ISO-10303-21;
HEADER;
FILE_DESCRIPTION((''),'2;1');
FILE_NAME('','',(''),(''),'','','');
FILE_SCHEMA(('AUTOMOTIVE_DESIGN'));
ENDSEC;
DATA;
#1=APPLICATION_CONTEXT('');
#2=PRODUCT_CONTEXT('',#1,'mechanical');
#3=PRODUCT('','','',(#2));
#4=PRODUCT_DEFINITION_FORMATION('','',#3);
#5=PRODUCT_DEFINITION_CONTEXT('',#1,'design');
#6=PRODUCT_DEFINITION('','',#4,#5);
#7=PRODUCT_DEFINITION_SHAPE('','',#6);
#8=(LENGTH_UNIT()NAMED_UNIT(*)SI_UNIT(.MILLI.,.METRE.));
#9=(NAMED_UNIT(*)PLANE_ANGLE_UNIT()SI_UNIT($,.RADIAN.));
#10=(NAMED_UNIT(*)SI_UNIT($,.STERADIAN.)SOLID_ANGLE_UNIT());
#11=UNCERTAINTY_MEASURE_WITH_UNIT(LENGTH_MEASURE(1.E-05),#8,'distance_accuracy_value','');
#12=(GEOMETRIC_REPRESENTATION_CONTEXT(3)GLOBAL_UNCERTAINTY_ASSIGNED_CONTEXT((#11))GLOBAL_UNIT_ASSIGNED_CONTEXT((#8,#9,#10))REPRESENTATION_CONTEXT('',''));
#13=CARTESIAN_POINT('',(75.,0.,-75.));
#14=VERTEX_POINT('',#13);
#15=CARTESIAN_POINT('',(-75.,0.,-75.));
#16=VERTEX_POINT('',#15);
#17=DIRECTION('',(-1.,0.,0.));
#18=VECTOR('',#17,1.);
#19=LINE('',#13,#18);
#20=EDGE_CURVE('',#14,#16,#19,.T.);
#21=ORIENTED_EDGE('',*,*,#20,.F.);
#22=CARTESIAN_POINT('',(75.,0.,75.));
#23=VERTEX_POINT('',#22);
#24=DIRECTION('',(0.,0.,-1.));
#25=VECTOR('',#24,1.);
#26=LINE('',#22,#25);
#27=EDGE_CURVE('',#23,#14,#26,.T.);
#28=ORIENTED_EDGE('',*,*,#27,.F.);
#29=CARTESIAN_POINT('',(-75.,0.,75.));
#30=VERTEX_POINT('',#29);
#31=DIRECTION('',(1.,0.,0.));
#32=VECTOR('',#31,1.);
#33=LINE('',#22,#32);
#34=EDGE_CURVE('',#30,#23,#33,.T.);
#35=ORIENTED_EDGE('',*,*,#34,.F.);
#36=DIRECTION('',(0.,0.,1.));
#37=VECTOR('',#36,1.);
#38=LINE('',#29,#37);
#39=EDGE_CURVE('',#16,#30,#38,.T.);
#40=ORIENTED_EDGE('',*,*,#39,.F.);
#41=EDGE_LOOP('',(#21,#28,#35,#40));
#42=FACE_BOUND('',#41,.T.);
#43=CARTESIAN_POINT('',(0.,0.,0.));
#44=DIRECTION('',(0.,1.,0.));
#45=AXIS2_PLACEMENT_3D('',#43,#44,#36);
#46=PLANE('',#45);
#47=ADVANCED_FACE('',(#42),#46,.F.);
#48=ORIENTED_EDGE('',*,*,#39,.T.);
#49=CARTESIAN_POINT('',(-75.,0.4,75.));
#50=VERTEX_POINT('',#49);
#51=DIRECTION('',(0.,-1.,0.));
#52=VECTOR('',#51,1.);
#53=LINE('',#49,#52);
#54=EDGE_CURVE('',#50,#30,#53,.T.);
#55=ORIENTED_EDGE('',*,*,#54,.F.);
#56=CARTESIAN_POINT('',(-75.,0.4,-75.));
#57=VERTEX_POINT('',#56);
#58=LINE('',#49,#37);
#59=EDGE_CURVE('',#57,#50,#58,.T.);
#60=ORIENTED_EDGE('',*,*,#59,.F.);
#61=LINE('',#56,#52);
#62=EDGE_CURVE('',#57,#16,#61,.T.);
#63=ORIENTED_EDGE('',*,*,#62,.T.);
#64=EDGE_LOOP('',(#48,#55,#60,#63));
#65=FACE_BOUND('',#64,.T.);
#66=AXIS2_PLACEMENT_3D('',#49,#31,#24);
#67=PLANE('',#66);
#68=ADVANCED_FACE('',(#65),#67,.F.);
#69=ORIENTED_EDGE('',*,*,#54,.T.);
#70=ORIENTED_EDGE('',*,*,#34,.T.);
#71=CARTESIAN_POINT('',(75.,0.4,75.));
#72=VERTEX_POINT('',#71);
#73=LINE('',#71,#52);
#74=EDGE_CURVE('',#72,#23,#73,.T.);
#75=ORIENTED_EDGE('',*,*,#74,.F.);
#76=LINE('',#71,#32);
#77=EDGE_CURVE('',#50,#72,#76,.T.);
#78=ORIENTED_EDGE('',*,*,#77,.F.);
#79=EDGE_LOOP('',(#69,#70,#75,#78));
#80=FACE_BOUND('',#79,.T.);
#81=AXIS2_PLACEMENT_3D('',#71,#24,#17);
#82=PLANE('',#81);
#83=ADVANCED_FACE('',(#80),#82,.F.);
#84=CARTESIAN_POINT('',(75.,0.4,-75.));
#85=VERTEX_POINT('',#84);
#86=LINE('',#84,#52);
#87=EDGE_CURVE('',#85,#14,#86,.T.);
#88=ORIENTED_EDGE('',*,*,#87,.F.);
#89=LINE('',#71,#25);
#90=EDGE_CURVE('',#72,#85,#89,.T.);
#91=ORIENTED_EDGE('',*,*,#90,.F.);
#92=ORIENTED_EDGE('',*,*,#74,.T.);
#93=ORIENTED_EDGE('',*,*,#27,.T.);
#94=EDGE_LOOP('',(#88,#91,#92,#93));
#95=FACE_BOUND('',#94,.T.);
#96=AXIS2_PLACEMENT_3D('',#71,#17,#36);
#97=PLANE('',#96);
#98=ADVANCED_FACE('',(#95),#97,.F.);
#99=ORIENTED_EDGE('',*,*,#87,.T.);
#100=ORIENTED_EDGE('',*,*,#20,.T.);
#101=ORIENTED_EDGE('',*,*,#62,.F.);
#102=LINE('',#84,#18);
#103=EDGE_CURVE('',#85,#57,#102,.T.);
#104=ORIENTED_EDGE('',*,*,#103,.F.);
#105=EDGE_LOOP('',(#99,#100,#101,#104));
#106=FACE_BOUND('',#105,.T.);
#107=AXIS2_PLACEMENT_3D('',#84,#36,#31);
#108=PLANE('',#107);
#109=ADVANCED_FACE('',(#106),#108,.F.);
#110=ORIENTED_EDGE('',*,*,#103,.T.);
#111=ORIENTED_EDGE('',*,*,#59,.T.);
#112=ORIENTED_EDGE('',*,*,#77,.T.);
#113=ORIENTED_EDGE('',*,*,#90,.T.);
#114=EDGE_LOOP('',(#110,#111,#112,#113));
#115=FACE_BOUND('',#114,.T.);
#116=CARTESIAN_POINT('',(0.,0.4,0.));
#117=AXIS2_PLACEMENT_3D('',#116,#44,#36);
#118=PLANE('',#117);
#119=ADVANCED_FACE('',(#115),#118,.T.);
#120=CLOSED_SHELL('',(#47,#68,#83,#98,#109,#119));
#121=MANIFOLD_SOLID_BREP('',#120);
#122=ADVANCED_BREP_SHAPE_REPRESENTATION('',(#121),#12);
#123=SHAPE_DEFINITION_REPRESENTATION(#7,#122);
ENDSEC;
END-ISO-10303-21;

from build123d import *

# Parameters (mm, degrees)
SKETCH1_W           = 150
SKETCH1_H           = 150
BOSS_EXTRUDE1_DEPTH = 0.4


with BuildPart() as part:
    # Sketch1 → Boss-Extrude1 (new body)
    with BuildSketch(Plane(origin=(0, 0, 0), x_dir=(1, 0, 0), z_dir=(0, 1, 0))):
        Rectangle(SKETCH1_W, SKETCH1_H)
    extrude(amount=BOSS_EXTRUDE1_DEPTH)


solid = part.part
